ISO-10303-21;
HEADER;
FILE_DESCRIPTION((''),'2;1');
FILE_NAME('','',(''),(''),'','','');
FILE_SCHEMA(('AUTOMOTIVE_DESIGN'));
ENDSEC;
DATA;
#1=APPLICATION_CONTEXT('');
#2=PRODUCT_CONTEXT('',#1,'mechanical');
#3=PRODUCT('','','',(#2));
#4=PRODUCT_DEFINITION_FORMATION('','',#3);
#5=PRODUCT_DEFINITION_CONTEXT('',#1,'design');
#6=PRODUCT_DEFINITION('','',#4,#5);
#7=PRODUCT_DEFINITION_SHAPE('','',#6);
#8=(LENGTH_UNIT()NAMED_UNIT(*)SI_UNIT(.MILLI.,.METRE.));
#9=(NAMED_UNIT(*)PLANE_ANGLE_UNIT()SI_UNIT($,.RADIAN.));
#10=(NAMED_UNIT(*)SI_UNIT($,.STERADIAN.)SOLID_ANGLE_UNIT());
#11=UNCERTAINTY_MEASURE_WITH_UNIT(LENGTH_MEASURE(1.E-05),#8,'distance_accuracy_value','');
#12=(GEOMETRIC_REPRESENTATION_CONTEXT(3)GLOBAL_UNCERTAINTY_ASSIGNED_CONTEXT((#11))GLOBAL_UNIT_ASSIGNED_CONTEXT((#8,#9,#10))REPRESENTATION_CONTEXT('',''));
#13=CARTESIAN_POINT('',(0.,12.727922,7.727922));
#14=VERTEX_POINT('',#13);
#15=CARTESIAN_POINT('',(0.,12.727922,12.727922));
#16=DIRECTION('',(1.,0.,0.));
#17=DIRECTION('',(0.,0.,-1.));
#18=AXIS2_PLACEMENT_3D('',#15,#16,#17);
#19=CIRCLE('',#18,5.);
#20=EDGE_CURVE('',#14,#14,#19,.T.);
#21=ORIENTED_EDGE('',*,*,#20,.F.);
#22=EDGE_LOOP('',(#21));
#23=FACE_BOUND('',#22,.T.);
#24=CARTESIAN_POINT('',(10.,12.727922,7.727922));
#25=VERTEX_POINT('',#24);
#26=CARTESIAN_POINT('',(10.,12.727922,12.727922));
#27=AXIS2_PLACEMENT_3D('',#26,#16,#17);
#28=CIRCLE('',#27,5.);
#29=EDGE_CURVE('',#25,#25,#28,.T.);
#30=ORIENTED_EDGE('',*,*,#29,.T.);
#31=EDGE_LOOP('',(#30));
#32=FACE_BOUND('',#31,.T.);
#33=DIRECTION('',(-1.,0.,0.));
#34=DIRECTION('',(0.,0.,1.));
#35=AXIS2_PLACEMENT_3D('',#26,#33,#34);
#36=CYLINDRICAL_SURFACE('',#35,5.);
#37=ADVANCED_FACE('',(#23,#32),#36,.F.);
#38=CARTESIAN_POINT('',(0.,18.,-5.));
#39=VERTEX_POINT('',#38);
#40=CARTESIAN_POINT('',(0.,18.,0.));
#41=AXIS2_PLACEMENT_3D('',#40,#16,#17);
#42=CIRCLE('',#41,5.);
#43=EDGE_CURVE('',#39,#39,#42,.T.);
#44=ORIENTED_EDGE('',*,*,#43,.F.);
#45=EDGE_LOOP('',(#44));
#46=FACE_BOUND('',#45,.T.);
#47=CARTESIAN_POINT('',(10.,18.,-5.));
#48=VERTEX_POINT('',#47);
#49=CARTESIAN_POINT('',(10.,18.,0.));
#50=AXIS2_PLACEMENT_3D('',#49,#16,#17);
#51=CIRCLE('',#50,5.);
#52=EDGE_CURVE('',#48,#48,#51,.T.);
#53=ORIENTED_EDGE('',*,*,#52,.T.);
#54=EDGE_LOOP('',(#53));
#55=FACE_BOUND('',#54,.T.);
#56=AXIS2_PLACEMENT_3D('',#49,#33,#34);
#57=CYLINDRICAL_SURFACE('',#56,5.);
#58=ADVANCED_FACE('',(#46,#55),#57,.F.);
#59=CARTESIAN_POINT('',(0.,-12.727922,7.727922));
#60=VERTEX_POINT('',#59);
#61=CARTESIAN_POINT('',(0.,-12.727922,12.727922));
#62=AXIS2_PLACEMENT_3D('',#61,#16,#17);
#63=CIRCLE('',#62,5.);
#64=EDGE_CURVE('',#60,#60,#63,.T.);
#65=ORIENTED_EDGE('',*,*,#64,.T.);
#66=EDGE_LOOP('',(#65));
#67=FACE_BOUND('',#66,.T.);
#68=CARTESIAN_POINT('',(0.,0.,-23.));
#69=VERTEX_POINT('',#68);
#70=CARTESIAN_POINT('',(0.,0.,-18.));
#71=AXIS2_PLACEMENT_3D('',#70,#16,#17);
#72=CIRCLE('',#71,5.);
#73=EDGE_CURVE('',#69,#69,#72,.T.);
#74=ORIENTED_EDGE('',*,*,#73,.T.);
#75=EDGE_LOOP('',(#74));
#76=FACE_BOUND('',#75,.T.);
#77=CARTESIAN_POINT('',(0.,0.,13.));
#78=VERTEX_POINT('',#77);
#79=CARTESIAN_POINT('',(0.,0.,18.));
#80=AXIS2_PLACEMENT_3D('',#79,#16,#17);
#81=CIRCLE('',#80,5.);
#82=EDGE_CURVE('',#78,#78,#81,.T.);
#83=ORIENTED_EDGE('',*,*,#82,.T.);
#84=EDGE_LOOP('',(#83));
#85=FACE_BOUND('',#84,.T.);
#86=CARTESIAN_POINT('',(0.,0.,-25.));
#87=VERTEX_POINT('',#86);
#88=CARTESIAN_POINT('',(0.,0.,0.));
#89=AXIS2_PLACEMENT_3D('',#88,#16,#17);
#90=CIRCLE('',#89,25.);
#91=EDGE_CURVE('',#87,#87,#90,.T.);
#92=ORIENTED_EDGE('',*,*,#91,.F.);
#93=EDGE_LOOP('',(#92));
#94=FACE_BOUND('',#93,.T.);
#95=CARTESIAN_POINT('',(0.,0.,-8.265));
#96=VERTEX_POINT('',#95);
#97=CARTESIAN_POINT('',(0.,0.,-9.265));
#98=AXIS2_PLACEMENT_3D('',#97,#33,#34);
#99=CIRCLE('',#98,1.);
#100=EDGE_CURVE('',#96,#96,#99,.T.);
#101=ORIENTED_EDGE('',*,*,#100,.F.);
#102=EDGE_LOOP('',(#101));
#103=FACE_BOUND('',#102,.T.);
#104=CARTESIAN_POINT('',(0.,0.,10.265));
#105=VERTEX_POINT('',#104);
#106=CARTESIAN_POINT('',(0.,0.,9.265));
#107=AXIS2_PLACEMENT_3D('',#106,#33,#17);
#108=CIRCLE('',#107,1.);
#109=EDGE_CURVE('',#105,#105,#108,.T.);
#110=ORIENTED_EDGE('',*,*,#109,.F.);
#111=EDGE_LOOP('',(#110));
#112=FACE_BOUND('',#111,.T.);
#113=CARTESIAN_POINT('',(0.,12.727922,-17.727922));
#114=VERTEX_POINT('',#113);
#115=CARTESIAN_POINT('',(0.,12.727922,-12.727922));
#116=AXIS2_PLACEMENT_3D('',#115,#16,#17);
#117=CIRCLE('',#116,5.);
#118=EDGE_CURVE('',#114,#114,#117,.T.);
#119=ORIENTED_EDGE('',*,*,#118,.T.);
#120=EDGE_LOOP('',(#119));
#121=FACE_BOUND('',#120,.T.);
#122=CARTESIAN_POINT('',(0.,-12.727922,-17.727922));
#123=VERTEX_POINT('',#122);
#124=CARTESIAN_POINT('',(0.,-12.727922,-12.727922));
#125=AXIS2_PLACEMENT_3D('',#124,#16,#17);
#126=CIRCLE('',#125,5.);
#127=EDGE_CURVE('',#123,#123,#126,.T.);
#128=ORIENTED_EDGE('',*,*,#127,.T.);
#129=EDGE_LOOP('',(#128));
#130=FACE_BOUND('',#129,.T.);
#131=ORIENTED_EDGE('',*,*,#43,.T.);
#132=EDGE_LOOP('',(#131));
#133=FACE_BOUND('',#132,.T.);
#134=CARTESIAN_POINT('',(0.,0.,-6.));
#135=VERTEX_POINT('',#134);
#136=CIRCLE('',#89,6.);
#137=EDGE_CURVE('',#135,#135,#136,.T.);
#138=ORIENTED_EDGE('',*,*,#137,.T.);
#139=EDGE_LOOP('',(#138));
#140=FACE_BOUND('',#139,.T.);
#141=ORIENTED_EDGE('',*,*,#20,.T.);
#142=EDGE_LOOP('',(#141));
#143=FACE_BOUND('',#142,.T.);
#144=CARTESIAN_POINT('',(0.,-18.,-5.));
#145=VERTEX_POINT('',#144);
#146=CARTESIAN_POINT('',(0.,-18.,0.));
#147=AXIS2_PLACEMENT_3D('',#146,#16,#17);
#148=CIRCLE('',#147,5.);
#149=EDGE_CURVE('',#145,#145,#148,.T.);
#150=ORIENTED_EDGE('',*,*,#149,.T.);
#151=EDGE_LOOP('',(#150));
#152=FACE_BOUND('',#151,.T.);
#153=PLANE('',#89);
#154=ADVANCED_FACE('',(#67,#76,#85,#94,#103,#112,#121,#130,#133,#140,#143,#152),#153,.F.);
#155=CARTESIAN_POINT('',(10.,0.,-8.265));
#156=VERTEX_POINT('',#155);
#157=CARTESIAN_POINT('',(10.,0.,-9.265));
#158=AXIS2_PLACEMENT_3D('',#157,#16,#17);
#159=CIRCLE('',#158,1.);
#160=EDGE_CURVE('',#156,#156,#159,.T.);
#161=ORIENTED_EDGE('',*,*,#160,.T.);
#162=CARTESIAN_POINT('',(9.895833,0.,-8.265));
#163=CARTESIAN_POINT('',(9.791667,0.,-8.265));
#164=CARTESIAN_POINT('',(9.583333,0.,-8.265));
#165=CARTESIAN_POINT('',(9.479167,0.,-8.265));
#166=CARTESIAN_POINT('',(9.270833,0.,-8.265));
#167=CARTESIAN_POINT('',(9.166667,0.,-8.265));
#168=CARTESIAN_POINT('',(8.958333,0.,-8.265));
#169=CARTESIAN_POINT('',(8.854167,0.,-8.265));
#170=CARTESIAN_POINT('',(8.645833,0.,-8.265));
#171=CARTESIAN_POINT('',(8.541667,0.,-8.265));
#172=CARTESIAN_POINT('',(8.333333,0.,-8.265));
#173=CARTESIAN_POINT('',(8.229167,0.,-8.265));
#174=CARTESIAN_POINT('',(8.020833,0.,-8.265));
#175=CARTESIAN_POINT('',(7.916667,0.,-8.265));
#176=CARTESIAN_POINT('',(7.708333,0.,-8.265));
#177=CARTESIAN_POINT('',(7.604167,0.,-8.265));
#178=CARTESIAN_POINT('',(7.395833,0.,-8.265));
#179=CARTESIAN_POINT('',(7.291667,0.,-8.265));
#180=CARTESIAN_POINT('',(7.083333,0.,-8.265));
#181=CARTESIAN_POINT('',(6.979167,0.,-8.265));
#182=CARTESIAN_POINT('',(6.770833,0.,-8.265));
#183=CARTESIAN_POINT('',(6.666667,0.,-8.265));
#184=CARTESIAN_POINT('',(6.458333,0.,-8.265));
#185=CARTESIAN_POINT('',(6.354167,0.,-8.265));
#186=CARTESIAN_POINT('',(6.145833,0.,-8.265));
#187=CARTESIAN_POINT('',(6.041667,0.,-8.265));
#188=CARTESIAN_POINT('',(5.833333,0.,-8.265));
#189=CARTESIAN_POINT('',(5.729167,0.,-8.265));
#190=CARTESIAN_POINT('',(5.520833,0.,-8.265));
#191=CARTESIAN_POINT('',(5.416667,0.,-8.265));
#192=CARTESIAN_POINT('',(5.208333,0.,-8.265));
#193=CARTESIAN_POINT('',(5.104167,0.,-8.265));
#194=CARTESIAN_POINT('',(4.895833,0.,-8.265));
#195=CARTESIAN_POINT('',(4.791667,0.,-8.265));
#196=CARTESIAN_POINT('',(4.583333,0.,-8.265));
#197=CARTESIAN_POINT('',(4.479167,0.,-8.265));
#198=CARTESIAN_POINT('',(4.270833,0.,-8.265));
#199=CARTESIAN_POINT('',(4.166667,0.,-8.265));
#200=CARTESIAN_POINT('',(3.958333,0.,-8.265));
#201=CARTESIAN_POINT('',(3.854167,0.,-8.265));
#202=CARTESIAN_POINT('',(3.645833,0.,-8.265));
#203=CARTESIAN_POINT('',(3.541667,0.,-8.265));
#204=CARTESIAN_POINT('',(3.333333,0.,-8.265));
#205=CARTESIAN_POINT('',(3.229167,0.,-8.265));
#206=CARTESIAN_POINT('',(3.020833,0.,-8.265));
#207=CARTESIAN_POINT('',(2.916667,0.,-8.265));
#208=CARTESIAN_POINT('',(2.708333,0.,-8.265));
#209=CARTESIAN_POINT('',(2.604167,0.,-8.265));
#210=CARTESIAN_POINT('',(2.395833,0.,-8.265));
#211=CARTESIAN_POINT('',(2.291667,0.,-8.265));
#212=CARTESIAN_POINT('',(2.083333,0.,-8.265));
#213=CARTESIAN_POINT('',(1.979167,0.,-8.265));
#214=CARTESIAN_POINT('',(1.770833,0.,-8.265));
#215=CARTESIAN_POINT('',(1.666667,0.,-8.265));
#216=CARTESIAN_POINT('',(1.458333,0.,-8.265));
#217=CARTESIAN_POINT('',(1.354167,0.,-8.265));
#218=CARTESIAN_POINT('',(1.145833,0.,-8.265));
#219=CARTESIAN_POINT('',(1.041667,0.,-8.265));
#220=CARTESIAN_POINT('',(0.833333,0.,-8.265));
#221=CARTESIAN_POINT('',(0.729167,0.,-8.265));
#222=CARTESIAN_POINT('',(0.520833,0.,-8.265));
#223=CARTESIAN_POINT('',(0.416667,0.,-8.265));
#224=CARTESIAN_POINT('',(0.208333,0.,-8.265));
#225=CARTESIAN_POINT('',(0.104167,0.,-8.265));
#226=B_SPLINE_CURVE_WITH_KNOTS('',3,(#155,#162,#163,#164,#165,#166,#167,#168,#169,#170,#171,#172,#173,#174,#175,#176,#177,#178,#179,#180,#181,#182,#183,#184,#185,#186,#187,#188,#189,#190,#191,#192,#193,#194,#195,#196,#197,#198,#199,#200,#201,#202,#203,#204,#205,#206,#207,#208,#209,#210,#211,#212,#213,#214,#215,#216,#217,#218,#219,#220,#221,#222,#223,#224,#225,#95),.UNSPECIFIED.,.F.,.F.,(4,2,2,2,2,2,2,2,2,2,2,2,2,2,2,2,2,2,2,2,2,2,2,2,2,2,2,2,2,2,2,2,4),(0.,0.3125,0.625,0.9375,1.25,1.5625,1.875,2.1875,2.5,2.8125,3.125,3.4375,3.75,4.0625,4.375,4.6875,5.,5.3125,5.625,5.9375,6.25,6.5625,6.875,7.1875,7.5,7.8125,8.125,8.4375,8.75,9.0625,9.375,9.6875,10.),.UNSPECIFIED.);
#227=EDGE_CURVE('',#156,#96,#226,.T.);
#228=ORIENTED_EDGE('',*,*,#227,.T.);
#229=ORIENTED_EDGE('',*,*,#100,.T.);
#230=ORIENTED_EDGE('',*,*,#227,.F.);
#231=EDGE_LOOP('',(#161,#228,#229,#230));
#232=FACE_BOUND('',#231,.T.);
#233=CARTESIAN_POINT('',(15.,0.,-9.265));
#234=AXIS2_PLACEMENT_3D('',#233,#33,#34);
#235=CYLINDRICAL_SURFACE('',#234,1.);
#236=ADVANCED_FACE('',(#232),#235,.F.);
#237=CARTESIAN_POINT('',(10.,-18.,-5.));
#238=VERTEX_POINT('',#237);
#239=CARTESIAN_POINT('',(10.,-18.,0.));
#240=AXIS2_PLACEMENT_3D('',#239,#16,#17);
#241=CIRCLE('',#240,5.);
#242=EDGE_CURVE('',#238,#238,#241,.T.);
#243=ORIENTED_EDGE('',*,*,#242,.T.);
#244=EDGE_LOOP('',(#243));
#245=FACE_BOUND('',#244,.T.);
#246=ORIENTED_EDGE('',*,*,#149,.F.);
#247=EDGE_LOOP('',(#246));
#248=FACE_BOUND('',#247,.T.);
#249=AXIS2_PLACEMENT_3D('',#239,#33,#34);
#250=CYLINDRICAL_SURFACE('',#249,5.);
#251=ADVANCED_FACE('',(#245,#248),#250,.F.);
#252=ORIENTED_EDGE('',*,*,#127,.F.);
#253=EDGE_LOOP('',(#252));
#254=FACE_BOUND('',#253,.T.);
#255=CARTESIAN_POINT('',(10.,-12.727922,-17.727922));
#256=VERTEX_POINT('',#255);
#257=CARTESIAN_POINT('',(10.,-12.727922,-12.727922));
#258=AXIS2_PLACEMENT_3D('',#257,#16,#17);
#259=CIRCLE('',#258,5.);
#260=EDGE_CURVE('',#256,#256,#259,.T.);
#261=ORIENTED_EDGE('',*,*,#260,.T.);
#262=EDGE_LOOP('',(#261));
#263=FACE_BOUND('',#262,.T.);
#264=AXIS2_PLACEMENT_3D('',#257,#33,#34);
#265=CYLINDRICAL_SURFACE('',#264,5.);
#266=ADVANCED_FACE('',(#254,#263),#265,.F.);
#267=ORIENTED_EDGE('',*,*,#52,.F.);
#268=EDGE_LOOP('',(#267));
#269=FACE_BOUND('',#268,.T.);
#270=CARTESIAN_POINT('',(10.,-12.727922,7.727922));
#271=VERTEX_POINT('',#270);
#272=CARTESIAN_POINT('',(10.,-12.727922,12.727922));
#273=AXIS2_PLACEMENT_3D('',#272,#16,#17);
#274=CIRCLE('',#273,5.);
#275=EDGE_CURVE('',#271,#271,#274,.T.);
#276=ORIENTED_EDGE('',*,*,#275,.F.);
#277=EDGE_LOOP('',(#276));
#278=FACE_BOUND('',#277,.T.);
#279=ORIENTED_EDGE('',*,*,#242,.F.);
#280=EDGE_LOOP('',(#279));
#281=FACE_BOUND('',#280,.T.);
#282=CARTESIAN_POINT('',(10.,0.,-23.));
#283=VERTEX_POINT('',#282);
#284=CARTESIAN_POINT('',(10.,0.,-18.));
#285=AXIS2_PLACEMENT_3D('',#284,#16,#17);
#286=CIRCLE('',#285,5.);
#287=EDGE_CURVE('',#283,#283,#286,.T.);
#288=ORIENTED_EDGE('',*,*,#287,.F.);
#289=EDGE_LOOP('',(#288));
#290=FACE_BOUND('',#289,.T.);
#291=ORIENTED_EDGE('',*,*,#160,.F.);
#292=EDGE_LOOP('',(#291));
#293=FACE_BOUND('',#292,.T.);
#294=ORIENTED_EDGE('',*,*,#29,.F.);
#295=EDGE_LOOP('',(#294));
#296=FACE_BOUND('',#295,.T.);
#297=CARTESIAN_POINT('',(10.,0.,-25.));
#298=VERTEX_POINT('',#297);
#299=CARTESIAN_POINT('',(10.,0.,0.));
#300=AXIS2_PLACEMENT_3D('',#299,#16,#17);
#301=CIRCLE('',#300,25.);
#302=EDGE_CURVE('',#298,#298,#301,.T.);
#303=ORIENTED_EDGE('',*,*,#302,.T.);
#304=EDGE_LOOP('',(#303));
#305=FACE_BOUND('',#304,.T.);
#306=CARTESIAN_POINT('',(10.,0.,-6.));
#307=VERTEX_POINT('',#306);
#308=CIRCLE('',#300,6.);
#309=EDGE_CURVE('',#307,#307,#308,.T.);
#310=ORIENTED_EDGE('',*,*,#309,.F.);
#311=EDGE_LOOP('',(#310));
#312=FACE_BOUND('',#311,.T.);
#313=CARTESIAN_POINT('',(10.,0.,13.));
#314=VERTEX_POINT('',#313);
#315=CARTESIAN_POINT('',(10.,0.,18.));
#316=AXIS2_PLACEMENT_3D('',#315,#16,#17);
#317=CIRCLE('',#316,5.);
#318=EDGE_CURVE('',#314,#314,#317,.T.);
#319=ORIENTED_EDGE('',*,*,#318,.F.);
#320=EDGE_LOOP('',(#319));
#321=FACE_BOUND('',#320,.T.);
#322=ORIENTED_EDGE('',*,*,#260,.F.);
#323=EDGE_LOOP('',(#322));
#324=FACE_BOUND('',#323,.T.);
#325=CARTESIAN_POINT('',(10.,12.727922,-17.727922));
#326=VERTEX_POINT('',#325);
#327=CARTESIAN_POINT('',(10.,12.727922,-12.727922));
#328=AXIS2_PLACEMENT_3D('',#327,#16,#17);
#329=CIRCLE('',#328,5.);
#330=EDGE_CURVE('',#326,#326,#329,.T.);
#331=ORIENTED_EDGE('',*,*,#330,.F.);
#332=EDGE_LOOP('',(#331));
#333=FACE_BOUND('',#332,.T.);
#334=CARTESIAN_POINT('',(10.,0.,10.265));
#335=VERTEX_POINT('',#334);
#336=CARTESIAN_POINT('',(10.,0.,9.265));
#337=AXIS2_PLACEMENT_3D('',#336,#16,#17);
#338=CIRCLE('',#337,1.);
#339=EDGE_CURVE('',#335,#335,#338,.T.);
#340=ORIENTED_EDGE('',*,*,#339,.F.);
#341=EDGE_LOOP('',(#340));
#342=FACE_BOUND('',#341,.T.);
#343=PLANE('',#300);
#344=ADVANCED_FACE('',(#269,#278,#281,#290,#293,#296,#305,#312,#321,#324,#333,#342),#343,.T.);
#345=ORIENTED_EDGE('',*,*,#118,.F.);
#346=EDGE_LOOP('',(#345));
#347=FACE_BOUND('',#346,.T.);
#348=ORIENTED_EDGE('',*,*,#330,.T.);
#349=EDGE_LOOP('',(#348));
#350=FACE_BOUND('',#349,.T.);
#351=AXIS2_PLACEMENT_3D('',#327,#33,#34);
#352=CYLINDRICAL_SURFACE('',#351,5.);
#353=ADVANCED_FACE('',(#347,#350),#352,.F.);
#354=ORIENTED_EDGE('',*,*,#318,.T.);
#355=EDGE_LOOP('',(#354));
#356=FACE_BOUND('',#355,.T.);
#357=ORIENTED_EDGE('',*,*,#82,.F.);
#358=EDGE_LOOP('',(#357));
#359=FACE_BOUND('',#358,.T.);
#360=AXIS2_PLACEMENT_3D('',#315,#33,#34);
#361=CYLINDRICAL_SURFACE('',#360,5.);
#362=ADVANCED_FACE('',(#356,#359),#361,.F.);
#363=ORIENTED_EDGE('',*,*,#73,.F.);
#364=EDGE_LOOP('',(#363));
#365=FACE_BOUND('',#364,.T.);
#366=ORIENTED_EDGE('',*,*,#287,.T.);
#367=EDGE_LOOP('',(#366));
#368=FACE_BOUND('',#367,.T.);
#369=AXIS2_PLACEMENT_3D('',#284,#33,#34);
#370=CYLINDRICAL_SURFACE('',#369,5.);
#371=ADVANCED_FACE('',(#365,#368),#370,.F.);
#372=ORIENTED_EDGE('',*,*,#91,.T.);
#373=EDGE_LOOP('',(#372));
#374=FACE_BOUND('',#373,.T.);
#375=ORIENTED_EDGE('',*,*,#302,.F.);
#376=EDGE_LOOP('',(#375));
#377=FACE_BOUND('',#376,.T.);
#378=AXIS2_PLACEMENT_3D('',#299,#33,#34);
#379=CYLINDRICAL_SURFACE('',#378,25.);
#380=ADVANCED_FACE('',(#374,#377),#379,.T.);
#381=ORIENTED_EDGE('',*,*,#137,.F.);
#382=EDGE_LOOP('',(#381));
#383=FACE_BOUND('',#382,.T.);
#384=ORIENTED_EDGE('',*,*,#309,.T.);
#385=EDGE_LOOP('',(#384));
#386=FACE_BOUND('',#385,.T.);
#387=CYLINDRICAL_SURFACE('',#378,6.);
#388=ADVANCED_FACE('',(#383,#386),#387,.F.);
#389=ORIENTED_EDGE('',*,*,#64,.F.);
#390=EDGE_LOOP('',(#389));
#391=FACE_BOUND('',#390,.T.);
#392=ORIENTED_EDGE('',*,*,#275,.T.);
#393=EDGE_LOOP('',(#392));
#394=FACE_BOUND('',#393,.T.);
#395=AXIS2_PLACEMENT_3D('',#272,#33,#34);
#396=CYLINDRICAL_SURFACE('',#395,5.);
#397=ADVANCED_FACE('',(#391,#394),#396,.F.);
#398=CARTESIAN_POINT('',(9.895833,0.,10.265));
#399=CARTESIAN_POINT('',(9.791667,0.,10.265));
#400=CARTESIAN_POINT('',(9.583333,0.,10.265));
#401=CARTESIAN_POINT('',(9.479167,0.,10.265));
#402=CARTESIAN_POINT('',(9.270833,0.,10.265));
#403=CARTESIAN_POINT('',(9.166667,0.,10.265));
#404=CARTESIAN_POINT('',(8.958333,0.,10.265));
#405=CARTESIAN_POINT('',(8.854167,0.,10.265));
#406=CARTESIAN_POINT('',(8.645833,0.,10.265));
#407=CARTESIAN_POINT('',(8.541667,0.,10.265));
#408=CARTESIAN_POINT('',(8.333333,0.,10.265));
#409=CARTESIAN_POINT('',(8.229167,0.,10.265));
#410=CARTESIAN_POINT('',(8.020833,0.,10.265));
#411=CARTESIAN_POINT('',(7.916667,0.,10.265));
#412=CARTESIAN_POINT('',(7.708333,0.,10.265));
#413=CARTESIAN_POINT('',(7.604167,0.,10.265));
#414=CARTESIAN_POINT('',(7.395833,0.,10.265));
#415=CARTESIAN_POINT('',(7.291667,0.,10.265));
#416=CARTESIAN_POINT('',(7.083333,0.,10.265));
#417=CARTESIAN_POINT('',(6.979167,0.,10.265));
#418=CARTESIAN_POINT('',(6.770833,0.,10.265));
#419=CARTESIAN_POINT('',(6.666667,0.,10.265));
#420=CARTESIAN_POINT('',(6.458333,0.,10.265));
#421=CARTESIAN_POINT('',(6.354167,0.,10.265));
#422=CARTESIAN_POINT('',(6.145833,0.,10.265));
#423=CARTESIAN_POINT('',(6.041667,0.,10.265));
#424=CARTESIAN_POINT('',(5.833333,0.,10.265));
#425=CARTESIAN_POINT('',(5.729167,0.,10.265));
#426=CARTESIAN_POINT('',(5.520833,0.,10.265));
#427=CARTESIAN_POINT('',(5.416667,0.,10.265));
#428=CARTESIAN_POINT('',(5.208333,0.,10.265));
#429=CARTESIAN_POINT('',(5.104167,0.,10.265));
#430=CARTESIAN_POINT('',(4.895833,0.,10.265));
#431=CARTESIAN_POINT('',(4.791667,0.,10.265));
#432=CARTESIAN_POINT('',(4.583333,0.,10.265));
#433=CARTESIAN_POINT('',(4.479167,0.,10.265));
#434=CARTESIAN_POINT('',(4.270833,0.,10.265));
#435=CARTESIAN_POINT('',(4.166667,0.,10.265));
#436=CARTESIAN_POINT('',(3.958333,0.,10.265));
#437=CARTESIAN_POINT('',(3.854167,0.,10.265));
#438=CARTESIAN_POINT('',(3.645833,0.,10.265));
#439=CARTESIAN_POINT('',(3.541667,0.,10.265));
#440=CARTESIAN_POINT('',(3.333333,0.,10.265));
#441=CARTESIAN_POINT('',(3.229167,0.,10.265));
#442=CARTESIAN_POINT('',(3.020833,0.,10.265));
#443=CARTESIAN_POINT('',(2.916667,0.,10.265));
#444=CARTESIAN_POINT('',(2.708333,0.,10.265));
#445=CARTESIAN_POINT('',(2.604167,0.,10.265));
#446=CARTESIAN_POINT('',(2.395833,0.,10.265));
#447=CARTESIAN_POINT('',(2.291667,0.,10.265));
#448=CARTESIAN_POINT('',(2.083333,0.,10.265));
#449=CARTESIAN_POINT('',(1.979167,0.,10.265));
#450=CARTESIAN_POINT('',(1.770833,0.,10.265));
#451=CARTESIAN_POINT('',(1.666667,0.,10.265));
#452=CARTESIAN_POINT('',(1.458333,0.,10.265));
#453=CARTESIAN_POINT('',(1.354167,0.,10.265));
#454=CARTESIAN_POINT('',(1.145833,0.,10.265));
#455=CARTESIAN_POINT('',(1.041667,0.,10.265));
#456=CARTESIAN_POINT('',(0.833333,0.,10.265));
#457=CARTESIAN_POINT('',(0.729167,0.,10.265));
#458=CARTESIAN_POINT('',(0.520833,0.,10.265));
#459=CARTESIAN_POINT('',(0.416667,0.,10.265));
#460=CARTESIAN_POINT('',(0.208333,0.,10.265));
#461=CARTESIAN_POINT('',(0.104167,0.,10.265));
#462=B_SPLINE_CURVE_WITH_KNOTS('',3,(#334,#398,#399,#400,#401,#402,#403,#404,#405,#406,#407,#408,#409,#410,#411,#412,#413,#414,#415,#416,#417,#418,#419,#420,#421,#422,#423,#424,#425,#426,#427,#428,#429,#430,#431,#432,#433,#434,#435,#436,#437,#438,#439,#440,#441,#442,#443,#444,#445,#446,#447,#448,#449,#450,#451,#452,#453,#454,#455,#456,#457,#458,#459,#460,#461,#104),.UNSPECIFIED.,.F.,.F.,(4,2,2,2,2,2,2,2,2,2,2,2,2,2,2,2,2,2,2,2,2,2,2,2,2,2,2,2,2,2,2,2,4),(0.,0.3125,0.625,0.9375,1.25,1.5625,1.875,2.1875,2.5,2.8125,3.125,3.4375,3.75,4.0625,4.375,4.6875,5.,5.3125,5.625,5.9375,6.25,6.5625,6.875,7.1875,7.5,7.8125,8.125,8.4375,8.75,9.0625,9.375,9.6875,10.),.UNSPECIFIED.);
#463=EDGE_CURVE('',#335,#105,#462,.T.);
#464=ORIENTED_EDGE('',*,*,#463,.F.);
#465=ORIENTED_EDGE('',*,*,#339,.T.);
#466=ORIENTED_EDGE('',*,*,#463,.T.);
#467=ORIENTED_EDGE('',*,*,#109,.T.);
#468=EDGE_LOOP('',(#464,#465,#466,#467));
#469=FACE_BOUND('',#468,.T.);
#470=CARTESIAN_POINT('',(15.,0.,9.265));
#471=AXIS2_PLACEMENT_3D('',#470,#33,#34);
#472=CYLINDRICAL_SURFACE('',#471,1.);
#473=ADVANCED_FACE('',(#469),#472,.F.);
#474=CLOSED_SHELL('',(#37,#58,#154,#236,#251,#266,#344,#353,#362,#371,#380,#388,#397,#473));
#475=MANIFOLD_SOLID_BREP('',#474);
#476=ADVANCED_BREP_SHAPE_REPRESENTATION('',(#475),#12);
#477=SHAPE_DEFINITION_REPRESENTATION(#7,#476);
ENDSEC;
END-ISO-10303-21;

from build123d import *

# Parameters (mm, degrees)
SKETCH1_R           = 25
SKETCH1_R_2         = 5
SKETCH1_R_3         = 6
BOSS_EXTRUDE1_DEPTH = 10
SKETCH2_R           = 1
CUT_EXTRUDE1_DEPTH  = 15


with BuildPart() as part:
    # Sketch1 → Boss-Extrude1 (new body)
    with BuildSketch(Plane(origin=(0, 0, 0), x_dir=(0, 0, -1), z_dir=(1, 0, 0))):
        Circle(SKETCH1_R)
        with Locations((0, 18)):
            Circle(SKETCH1_R_2, mode=Mode.SUBTRACT)
        with Locations((12.727922061, 12.727922061)):
            Circle(SKETCH1_R_2, mode=Mode.SUBTRACT)
        with Locations((18, 0)):
            Circle(SKETCH1_R_2, mode=Mode.SUBTRACT)
        with Locations((12.727922061, -12.727922061)):
            Circle(SKETCH1_R_2, mode=Mode.SUBTRACT)
        with Locations((0, -18)):
            Circle(SKETCH1_R_2, mode=Mode.SUBTRACT)
        with Locations((-12.727922061, -12.727922061)):
            Circle(SKETCH1_R_2, mode=Mode.SUBTRACT)
        with Locations((-18, 0)):
            Circle(SKETCH1_R_2, mode=Mode.SUBTRACT)
        with Locations((-12.727922061, 12.727922061)):
            Circle(SKETCH1_R_2, mode=Mode.SUBTRACT)
        Circle(SKETCH1_R_3, mode=Mode.SUBTRACT)
    extrude(amount=BOSS_EXTRUDE1_DEPTH)

    # Sketch2 → Cut-Extrude1 (cut)
    with BuildSketch(Plane.ZY):
        with Locations((-9.265, 0)):
            Circle(SKETCH2_R)
        with Locations((9.265, 0)):
            Circle(SKETCH2_R)
    extrude(amount=-CUT_EXTRUDE1_DEPTH, mode=Mode.SUBTRACT)


solid = part.part
